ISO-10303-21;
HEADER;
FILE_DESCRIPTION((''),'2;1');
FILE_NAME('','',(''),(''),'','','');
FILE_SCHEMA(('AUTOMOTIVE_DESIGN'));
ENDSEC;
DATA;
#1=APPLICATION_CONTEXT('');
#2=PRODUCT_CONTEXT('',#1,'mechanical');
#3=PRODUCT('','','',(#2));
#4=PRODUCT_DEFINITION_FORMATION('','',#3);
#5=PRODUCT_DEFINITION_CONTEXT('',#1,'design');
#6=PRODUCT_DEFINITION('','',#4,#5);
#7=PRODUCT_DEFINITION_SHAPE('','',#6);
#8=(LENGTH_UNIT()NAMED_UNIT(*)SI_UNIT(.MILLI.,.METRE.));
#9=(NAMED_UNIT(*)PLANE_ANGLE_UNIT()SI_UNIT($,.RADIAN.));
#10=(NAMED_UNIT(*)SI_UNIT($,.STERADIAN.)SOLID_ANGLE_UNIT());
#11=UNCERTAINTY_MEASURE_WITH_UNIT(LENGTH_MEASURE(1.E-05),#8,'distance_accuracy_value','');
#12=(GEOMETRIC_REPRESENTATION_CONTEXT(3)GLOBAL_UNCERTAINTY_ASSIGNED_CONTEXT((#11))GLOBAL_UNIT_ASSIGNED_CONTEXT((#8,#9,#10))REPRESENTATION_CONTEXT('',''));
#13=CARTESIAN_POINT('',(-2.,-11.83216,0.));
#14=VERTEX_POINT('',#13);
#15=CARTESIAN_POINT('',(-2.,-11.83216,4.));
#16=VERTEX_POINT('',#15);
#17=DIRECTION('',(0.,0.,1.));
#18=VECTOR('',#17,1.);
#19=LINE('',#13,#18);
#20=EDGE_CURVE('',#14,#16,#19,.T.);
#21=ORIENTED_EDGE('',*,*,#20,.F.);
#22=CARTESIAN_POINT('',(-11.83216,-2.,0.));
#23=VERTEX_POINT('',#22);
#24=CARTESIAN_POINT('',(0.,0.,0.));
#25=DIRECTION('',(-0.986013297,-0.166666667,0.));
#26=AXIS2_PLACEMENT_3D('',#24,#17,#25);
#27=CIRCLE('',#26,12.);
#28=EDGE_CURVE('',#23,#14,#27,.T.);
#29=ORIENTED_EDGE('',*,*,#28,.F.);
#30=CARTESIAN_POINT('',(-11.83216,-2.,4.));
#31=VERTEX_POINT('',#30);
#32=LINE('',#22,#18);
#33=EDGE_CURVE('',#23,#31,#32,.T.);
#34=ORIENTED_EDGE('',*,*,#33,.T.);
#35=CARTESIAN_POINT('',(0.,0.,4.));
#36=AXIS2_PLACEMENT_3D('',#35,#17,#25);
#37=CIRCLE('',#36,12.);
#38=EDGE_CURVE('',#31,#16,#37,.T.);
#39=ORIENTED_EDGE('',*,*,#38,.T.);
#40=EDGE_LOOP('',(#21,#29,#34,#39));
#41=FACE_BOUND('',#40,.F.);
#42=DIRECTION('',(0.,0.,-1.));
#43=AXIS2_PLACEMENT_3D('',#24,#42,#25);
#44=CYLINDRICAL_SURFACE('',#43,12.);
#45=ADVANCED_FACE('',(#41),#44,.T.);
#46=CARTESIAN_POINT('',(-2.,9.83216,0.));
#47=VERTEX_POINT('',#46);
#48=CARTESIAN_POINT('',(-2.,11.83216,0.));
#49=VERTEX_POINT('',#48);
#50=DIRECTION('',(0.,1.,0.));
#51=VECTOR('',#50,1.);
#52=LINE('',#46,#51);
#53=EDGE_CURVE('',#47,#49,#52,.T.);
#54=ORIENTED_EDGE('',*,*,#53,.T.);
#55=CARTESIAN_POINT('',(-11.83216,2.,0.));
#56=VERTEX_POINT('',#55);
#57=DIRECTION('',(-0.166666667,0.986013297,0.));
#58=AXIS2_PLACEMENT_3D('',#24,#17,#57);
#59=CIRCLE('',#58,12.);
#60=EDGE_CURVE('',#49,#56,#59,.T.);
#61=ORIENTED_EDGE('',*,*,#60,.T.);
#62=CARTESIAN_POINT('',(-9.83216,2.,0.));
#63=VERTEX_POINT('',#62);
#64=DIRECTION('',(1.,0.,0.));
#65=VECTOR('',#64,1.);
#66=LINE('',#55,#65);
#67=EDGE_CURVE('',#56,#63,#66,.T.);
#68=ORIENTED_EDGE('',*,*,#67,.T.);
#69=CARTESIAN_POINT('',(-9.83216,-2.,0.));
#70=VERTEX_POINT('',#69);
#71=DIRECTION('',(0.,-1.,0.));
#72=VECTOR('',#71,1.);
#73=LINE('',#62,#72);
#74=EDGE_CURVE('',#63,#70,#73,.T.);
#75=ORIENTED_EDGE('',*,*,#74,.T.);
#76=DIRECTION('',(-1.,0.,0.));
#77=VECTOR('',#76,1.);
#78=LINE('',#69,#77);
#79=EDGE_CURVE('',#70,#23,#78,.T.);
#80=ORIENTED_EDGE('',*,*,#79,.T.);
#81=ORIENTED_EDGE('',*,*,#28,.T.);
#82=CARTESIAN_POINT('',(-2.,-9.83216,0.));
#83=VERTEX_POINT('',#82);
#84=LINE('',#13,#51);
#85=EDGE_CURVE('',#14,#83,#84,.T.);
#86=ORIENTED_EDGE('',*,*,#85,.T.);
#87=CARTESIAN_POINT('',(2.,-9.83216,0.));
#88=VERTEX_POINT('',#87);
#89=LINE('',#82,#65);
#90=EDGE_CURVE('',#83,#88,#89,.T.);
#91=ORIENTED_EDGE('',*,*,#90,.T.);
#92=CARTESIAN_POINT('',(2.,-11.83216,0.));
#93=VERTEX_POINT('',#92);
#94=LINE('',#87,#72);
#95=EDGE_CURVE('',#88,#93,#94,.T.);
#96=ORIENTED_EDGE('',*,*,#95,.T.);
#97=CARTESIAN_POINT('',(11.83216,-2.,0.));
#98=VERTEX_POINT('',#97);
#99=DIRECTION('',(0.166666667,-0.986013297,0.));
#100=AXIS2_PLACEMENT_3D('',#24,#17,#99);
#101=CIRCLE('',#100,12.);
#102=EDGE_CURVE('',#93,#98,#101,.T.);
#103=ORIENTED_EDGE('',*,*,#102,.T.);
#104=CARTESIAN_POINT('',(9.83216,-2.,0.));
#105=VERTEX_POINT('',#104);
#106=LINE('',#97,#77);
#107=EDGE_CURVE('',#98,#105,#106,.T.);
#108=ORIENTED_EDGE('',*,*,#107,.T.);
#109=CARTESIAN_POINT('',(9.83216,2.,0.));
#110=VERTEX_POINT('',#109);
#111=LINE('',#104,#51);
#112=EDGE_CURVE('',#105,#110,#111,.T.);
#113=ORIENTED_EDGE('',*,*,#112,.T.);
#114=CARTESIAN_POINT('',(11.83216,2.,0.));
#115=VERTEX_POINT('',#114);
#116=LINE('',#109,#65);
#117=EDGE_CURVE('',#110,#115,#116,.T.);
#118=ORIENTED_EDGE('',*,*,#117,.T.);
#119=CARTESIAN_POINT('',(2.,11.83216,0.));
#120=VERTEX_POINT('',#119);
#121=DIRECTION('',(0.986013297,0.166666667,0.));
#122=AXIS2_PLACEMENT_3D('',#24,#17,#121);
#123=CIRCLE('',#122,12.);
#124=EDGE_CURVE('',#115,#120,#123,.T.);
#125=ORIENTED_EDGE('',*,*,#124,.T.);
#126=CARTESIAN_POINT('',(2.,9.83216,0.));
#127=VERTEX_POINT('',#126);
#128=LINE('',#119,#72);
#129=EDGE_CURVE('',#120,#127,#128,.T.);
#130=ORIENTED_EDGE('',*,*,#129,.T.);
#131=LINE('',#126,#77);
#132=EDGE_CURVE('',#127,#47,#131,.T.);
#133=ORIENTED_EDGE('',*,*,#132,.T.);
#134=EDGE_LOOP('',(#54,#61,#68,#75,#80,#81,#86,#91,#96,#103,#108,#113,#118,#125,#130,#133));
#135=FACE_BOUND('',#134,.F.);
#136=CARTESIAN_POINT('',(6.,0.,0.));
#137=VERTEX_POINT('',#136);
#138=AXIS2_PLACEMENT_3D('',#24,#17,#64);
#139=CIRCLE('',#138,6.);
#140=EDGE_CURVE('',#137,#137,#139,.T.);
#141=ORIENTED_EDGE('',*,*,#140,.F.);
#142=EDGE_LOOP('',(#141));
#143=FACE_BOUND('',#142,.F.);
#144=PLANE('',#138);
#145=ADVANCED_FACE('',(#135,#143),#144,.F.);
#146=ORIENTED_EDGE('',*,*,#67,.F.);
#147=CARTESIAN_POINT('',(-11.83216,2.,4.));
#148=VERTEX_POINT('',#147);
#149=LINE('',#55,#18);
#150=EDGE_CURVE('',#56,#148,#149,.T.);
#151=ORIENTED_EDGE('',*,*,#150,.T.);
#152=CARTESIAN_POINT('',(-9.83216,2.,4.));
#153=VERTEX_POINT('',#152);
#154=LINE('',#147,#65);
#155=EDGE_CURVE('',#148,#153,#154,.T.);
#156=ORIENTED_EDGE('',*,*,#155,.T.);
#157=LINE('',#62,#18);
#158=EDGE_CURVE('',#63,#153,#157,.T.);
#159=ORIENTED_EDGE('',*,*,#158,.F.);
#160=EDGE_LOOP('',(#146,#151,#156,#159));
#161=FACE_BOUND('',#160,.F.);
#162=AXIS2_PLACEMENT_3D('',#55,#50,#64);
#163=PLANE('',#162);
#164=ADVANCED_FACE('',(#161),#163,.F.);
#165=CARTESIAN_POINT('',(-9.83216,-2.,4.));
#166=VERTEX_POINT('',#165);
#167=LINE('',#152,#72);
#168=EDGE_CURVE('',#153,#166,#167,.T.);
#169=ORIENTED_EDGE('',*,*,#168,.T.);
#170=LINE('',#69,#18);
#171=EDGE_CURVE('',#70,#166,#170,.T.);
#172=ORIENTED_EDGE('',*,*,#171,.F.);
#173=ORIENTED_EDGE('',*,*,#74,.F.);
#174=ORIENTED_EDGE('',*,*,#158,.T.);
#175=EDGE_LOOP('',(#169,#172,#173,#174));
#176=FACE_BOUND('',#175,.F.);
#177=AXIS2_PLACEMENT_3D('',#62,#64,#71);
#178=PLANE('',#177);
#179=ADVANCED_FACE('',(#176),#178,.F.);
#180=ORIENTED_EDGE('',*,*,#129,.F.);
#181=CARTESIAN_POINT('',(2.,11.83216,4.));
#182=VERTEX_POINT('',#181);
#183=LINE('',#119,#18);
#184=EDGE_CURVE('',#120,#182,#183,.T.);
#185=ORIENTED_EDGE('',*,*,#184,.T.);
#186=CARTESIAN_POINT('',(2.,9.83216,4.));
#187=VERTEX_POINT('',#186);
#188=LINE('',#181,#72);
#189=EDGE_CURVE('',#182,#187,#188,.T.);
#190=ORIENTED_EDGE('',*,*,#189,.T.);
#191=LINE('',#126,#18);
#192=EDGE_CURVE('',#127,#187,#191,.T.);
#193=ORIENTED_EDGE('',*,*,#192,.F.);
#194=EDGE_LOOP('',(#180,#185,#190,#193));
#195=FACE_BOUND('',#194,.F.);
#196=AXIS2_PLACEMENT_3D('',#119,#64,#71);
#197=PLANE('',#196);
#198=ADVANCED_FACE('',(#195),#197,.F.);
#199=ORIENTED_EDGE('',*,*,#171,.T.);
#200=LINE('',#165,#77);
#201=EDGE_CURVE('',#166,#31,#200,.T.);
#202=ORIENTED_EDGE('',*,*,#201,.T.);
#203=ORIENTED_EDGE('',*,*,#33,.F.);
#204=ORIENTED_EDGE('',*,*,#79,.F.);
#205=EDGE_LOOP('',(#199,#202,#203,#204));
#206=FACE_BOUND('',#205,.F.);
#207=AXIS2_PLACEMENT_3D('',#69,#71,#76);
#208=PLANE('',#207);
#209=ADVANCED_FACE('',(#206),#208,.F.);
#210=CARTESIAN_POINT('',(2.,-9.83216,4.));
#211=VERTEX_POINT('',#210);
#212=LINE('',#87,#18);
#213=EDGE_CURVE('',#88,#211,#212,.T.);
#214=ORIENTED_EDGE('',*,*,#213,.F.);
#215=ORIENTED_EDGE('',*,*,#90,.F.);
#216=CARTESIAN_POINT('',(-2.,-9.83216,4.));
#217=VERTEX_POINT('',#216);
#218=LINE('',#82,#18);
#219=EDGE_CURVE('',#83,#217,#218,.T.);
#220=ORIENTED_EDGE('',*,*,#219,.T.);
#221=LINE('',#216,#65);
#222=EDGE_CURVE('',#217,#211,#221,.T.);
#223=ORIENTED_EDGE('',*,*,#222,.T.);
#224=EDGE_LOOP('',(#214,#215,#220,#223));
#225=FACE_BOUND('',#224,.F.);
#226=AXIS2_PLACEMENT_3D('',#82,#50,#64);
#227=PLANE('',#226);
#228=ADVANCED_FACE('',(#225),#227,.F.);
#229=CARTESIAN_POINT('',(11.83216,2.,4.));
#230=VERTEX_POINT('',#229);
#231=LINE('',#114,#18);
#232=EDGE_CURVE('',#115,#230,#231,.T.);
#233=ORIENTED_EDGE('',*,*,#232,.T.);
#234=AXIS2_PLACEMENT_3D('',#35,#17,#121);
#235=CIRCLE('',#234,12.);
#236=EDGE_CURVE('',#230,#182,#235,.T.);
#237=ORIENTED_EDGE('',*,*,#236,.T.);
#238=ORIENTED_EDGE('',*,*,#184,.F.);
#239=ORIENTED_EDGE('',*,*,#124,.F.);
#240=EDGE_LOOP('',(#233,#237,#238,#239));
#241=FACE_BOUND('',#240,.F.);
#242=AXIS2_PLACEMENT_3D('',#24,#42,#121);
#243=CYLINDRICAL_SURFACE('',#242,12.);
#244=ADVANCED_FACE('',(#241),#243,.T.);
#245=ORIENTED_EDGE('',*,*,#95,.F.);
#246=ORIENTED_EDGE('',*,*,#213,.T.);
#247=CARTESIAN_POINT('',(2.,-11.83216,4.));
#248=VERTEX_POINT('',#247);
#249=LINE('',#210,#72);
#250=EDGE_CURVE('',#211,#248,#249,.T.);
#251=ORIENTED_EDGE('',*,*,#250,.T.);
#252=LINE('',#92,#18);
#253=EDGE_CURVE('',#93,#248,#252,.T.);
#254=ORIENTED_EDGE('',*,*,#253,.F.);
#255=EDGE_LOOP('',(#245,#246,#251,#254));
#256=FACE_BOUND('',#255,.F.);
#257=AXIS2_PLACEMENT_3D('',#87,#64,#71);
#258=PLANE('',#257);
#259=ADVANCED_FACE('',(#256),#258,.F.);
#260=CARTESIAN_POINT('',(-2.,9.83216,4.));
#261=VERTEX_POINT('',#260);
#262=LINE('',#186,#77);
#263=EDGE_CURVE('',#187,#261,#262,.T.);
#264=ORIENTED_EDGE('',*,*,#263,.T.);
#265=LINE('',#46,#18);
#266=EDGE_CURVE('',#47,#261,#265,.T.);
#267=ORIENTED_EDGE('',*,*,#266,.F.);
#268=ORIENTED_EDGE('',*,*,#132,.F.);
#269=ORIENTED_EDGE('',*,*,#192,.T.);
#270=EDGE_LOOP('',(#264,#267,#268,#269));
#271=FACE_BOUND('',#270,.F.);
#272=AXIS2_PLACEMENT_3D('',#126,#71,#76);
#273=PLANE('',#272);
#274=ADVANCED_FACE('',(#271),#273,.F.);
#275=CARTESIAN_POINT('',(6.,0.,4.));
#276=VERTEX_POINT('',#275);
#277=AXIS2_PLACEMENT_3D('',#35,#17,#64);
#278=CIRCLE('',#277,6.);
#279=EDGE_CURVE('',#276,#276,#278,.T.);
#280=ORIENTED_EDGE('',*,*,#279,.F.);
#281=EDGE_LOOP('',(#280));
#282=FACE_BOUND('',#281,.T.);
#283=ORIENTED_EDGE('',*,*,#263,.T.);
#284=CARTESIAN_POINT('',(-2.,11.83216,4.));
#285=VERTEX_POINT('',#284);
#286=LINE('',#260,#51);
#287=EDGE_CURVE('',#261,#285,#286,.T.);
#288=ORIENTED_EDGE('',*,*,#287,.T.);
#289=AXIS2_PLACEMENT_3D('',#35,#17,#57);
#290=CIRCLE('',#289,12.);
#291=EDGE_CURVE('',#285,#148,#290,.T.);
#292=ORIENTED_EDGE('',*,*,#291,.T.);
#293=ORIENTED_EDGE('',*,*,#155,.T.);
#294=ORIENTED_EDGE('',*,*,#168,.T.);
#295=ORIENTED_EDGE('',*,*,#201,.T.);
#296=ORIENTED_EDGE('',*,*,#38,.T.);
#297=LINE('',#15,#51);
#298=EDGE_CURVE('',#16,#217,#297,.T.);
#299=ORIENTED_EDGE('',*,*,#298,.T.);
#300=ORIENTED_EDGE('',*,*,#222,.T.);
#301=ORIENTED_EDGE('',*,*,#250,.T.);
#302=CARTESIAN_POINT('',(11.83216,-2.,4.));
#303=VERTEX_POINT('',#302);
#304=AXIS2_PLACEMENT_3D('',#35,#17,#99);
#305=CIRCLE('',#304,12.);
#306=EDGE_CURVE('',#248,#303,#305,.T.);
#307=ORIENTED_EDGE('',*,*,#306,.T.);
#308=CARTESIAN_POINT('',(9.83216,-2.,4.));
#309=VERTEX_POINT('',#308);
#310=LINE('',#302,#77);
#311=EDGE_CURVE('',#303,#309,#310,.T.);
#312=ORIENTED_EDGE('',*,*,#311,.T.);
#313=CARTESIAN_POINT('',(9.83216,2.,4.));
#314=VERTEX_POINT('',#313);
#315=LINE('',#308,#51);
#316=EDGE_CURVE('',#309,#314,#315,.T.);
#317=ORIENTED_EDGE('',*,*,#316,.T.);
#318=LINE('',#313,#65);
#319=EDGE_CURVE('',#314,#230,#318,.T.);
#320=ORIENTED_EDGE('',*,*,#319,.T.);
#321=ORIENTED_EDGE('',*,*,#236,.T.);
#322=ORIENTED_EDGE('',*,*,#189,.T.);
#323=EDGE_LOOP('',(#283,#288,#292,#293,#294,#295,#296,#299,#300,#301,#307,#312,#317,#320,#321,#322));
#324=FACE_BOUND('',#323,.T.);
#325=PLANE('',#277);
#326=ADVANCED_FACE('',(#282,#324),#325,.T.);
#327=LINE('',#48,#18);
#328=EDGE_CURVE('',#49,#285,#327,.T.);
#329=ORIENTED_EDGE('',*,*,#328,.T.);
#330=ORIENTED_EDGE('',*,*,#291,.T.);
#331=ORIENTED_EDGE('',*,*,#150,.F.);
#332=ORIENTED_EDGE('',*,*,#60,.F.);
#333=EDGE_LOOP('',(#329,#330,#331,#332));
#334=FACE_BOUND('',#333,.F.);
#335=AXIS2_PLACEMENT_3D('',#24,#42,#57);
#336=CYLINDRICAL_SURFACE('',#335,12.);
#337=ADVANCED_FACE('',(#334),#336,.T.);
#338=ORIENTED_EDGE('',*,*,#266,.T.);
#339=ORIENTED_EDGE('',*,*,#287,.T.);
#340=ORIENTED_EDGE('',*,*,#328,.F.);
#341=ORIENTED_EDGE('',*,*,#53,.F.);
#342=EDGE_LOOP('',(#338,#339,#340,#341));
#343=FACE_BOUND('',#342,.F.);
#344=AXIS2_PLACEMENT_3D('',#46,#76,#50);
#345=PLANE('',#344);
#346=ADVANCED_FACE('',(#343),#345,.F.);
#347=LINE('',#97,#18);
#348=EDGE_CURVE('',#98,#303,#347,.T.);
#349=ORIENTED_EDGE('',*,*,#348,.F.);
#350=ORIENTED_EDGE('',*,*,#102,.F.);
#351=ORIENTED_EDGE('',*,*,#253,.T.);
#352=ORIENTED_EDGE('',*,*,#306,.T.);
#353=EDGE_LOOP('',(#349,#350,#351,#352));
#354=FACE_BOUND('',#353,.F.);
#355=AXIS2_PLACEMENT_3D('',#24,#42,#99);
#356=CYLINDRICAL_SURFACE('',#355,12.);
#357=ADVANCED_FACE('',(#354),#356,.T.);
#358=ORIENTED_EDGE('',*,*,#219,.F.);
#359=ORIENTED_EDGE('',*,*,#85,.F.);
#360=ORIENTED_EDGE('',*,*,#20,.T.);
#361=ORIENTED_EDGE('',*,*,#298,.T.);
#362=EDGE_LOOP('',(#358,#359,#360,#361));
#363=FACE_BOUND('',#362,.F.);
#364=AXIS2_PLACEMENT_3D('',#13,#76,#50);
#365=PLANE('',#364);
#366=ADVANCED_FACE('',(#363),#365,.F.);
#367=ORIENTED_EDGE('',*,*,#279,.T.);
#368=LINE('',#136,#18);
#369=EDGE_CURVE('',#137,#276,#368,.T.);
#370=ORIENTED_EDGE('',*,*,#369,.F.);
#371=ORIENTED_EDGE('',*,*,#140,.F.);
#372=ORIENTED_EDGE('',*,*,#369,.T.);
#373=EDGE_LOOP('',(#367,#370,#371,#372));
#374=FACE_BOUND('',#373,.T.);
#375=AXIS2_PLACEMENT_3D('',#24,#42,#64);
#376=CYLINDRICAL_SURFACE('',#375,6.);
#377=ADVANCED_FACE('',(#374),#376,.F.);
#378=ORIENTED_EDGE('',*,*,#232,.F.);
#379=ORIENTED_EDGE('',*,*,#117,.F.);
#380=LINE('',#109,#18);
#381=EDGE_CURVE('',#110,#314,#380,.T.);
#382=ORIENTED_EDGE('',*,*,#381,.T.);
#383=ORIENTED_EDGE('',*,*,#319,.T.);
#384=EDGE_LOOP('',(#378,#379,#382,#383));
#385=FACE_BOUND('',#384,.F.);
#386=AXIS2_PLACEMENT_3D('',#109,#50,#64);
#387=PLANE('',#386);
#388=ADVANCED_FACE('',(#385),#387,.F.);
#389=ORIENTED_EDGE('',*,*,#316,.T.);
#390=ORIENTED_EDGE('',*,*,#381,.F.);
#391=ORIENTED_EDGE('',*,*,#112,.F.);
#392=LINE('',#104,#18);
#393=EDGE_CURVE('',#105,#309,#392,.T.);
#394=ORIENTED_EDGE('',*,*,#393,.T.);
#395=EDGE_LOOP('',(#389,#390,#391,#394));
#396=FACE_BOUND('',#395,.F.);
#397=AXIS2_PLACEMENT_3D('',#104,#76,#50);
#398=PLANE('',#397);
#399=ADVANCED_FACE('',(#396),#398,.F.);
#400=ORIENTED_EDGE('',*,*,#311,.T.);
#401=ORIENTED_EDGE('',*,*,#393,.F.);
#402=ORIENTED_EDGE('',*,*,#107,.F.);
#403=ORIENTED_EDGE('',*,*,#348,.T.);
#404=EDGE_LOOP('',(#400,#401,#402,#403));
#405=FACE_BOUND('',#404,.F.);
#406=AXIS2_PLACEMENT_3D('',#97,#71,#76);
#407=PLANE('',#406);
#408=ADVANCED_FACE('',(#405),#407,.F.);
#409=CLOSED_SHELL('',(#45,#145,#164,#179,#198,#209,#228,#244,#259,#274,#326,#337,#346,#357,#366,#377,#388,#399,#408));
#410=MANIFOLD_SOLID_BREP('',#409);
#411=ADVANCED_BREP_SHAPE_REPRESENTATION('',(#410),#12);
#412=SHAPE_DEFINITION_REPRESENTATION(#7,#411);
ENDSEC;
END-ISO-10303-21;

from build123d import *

# Parameters (mm, degrees)
SKETCH_1_R      = 6
EXTRUDE_1_DEPTH = 4


with BuildPart() as part:
    # 草图1 → 拉伸1 (new body)
    with BuildSketch(Plane.XY):
        with BuildLine():
            Line((9.832159566, 2), (11.832159566, 2))
            ThreePointArc((11.832159566, 2), (8.485281374, 8.485281374), (2, 11.832159566))
            Line((2, 11.832159566), (2, 9.832159566))
            Line((2, 9.832159566), (-2, 9.832159566))
            Line((-2, 9.832159566), (-2, 11.832159566))
            ThreePointArc((-2, 11.832159566), (-8.485281374, 8.485281374), (-11.832159566, 2))
            Line((-11.832159566, 2), (-9.832159566, 2))
            Line((-9.832159566, 2), (-9.832159566, -2))
            Line((-9.832159566, -2), (-11.832159566, -2))
            ThreePointArc((-11.832159566, -2), (-8.485281374, -8.485281374), (-2, -11.832159566))
            Line((-2, -11.832159566), (-2, -9.832159566))
            Line((-2, -9.832159566), (2, -9.832159566))
            Line((2, -9.832159566), (2, -11.832159566))
            ThreePointArc((2, -11.832159566), (8.485281374, -8.485281374), (11.832159566, -2))
            Line((11.832159566, -2), (9.832159566, -2))
            Line((9.832159566, -2), (9.832159566, 2))
        make_face()
        Circle(SKETCH_1_R, mode=Mode.SUBTRACT)
    extrude(amount=EXTRUDE_1_DEPTH)


solid = part.part
